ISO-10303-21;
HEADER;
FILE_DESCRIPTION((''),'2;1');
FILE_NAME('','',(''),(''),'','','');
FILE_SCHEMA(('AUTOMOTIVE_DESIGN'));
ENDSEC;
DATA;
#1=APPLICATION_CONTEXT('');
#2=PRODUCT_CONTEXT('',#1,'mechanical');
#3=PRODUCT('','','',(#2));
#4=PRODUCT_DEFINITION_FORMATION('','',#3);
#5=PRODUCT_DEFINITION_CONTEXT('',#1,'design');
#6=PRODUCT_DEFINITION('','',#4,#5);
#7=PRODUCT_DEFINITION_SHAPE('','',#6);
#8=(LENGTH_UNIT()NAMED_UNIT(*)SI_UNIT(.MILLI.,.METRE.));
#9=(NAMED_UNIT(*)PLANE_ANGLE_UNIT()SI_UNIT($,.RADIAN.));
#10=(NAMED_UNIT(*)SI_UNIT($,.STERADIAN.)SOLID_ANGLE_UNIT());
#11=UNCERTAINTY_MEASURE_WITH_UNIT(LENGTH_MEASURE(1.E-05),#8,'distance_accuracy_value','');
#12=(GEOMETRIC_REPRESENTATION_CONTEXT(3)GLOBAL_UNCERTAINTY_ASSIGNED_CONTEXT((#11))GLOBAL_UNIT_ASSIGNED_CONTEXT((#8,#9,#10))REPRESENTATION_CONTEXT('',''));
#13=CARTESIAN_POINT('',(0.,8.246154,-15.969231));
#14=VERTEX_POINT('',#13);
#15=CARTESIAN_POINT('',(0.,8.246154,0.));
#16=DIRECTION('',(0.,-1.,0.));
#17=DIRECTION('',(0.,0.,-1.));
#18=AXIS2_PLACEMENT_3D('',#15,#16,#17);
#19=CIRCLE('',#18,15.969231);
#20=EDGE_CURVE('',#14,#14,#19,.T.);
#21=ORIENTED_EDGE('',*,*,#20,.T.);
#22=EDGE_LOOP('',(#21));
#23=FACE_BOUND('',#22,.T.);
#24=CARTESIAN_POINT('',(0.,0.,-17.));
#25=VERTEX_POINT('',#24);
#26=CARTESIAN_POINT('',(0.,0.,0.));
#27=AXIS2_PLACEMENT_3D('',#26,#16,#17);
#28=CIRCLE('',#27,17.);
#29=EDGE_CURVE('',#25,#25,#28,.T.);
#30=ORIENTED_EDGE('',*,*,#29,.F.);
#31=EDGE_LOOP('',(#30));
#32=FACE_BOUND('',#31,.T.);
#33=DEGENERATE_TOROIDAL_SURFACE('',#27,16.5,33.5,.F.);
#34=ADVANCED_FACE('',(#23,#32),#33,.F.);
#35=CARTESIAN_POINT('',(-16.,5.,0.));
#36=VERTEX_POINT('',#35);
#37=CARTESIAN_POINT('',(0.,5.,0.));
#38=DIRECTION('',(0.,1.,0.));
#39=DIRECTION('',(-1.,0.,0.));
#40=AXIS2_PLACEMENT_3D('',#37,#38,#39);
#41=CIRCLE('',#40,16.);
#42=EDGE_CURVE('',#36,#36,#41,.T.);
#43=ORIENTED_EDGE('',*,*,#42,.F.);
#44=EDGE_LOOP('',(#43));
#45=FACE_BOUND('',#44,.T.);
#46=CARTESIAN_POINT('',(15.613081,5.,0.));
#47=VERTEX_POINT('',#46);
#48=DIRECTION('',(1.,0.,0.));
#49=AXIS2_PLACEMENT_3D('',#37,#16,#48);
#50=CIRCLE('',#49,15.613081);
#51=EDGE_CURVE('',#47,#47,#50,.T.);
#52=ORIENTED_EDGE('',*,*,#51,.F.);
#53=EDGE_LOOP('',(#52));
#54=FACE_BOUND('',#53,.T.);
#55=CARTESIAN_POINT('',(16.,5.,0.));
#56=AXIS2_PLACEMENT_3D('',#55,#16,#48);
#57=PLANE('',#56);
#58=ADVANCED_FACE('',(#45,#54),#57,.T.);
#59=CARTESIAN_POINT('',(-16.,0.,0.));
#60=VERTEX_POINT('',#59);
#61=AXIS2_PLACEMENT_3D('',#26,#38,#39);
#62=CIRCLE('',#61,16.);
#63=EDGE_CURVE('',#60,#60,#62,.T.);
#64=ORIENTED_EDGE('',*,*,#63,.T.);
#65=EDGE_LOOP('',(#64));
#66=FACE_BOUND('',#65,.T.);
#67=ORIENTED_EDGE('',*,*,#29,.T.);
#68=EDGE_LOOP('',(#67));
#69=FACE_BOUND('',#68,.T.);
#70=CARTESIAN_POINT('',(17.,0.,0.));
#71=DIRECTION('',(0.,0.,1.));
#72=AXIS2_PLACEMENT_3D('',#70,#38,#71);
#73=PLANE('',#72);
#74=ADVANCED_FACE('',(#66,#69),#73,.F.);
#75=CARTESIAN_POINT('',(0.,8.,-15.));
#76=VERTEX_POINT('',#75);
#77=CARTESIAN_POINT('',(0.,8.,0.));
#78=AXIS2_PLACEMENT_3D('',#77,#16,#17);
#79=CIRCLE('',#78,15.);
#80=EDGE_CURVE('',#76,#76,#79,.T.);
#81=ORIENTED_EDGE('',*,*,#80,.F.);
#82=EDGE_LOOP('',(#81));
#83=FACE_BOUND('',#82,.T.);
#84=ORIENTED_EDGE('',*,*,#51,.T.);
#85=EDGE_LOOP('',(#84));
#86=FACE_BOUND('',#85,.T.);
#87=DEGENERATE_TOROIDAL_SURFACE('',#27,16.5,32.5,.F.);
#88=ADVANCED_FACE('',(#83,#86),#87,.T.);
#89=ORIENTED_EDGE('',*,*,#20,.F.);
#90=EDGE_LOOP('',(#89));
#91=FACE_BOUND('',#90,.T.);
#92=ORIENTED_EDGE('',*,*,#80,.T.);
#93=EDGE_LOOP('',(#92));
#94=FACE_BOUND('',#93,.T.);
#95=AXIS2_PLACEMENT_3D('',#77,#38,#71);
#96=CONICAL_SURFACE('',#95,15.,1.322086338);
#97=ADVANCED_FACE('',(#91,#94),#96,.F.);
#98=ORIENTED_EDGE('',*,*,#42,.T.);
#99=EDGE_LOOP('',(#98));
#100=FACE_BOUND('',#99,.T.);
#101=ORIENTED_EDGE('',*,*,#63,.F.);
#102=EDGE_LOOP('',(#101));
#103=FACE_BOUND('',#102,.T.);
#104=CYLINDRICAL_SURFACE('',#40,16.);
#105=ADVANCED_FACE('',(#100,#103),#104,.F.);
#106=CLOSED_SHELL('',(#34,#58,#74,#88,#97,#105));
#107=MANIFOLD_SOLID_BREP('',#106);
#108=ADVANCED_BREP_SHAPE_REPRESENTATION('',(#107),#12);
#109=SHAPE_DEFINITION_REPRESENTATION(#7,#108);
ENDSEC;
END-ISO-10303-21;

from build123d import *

# Parameters (mm, degrees)
SKETCH3_W = 16
SKETCH3_H = 5


with BuildPart() as part:
    # Sketch2 → Revolve-Thin1 (revolve)
    with BuildSketch(Plane.XY):
        with BuildLine():
            ThreePointArc((15, 8), (15.749030993, 4.031128874), (16, 0))
            Line((16, 0), (17, 0))
            ThreePointArc((17, 0), (16.74130887, 4.155163609), (15.969230769, 8.246153846))
            Line((15.969230769, 8.246153846), (15, 8))
        make_face()
    revolve(axis=Axis((0, 0, 0), (0, 1, 0)))

    # Sketch3 → Cut-Revolve1 (revolve, cut)
    with BuildSketch(Plane.XY):
        with Locations((8, 2.5)):
            Rectangle(SKETCH3_W, SKETCH3_H)
    revolve(axis=Axis((0, 5, 0), (0, -1, 0)), mode=Mode.SUBTRACT)


solid = part.part
